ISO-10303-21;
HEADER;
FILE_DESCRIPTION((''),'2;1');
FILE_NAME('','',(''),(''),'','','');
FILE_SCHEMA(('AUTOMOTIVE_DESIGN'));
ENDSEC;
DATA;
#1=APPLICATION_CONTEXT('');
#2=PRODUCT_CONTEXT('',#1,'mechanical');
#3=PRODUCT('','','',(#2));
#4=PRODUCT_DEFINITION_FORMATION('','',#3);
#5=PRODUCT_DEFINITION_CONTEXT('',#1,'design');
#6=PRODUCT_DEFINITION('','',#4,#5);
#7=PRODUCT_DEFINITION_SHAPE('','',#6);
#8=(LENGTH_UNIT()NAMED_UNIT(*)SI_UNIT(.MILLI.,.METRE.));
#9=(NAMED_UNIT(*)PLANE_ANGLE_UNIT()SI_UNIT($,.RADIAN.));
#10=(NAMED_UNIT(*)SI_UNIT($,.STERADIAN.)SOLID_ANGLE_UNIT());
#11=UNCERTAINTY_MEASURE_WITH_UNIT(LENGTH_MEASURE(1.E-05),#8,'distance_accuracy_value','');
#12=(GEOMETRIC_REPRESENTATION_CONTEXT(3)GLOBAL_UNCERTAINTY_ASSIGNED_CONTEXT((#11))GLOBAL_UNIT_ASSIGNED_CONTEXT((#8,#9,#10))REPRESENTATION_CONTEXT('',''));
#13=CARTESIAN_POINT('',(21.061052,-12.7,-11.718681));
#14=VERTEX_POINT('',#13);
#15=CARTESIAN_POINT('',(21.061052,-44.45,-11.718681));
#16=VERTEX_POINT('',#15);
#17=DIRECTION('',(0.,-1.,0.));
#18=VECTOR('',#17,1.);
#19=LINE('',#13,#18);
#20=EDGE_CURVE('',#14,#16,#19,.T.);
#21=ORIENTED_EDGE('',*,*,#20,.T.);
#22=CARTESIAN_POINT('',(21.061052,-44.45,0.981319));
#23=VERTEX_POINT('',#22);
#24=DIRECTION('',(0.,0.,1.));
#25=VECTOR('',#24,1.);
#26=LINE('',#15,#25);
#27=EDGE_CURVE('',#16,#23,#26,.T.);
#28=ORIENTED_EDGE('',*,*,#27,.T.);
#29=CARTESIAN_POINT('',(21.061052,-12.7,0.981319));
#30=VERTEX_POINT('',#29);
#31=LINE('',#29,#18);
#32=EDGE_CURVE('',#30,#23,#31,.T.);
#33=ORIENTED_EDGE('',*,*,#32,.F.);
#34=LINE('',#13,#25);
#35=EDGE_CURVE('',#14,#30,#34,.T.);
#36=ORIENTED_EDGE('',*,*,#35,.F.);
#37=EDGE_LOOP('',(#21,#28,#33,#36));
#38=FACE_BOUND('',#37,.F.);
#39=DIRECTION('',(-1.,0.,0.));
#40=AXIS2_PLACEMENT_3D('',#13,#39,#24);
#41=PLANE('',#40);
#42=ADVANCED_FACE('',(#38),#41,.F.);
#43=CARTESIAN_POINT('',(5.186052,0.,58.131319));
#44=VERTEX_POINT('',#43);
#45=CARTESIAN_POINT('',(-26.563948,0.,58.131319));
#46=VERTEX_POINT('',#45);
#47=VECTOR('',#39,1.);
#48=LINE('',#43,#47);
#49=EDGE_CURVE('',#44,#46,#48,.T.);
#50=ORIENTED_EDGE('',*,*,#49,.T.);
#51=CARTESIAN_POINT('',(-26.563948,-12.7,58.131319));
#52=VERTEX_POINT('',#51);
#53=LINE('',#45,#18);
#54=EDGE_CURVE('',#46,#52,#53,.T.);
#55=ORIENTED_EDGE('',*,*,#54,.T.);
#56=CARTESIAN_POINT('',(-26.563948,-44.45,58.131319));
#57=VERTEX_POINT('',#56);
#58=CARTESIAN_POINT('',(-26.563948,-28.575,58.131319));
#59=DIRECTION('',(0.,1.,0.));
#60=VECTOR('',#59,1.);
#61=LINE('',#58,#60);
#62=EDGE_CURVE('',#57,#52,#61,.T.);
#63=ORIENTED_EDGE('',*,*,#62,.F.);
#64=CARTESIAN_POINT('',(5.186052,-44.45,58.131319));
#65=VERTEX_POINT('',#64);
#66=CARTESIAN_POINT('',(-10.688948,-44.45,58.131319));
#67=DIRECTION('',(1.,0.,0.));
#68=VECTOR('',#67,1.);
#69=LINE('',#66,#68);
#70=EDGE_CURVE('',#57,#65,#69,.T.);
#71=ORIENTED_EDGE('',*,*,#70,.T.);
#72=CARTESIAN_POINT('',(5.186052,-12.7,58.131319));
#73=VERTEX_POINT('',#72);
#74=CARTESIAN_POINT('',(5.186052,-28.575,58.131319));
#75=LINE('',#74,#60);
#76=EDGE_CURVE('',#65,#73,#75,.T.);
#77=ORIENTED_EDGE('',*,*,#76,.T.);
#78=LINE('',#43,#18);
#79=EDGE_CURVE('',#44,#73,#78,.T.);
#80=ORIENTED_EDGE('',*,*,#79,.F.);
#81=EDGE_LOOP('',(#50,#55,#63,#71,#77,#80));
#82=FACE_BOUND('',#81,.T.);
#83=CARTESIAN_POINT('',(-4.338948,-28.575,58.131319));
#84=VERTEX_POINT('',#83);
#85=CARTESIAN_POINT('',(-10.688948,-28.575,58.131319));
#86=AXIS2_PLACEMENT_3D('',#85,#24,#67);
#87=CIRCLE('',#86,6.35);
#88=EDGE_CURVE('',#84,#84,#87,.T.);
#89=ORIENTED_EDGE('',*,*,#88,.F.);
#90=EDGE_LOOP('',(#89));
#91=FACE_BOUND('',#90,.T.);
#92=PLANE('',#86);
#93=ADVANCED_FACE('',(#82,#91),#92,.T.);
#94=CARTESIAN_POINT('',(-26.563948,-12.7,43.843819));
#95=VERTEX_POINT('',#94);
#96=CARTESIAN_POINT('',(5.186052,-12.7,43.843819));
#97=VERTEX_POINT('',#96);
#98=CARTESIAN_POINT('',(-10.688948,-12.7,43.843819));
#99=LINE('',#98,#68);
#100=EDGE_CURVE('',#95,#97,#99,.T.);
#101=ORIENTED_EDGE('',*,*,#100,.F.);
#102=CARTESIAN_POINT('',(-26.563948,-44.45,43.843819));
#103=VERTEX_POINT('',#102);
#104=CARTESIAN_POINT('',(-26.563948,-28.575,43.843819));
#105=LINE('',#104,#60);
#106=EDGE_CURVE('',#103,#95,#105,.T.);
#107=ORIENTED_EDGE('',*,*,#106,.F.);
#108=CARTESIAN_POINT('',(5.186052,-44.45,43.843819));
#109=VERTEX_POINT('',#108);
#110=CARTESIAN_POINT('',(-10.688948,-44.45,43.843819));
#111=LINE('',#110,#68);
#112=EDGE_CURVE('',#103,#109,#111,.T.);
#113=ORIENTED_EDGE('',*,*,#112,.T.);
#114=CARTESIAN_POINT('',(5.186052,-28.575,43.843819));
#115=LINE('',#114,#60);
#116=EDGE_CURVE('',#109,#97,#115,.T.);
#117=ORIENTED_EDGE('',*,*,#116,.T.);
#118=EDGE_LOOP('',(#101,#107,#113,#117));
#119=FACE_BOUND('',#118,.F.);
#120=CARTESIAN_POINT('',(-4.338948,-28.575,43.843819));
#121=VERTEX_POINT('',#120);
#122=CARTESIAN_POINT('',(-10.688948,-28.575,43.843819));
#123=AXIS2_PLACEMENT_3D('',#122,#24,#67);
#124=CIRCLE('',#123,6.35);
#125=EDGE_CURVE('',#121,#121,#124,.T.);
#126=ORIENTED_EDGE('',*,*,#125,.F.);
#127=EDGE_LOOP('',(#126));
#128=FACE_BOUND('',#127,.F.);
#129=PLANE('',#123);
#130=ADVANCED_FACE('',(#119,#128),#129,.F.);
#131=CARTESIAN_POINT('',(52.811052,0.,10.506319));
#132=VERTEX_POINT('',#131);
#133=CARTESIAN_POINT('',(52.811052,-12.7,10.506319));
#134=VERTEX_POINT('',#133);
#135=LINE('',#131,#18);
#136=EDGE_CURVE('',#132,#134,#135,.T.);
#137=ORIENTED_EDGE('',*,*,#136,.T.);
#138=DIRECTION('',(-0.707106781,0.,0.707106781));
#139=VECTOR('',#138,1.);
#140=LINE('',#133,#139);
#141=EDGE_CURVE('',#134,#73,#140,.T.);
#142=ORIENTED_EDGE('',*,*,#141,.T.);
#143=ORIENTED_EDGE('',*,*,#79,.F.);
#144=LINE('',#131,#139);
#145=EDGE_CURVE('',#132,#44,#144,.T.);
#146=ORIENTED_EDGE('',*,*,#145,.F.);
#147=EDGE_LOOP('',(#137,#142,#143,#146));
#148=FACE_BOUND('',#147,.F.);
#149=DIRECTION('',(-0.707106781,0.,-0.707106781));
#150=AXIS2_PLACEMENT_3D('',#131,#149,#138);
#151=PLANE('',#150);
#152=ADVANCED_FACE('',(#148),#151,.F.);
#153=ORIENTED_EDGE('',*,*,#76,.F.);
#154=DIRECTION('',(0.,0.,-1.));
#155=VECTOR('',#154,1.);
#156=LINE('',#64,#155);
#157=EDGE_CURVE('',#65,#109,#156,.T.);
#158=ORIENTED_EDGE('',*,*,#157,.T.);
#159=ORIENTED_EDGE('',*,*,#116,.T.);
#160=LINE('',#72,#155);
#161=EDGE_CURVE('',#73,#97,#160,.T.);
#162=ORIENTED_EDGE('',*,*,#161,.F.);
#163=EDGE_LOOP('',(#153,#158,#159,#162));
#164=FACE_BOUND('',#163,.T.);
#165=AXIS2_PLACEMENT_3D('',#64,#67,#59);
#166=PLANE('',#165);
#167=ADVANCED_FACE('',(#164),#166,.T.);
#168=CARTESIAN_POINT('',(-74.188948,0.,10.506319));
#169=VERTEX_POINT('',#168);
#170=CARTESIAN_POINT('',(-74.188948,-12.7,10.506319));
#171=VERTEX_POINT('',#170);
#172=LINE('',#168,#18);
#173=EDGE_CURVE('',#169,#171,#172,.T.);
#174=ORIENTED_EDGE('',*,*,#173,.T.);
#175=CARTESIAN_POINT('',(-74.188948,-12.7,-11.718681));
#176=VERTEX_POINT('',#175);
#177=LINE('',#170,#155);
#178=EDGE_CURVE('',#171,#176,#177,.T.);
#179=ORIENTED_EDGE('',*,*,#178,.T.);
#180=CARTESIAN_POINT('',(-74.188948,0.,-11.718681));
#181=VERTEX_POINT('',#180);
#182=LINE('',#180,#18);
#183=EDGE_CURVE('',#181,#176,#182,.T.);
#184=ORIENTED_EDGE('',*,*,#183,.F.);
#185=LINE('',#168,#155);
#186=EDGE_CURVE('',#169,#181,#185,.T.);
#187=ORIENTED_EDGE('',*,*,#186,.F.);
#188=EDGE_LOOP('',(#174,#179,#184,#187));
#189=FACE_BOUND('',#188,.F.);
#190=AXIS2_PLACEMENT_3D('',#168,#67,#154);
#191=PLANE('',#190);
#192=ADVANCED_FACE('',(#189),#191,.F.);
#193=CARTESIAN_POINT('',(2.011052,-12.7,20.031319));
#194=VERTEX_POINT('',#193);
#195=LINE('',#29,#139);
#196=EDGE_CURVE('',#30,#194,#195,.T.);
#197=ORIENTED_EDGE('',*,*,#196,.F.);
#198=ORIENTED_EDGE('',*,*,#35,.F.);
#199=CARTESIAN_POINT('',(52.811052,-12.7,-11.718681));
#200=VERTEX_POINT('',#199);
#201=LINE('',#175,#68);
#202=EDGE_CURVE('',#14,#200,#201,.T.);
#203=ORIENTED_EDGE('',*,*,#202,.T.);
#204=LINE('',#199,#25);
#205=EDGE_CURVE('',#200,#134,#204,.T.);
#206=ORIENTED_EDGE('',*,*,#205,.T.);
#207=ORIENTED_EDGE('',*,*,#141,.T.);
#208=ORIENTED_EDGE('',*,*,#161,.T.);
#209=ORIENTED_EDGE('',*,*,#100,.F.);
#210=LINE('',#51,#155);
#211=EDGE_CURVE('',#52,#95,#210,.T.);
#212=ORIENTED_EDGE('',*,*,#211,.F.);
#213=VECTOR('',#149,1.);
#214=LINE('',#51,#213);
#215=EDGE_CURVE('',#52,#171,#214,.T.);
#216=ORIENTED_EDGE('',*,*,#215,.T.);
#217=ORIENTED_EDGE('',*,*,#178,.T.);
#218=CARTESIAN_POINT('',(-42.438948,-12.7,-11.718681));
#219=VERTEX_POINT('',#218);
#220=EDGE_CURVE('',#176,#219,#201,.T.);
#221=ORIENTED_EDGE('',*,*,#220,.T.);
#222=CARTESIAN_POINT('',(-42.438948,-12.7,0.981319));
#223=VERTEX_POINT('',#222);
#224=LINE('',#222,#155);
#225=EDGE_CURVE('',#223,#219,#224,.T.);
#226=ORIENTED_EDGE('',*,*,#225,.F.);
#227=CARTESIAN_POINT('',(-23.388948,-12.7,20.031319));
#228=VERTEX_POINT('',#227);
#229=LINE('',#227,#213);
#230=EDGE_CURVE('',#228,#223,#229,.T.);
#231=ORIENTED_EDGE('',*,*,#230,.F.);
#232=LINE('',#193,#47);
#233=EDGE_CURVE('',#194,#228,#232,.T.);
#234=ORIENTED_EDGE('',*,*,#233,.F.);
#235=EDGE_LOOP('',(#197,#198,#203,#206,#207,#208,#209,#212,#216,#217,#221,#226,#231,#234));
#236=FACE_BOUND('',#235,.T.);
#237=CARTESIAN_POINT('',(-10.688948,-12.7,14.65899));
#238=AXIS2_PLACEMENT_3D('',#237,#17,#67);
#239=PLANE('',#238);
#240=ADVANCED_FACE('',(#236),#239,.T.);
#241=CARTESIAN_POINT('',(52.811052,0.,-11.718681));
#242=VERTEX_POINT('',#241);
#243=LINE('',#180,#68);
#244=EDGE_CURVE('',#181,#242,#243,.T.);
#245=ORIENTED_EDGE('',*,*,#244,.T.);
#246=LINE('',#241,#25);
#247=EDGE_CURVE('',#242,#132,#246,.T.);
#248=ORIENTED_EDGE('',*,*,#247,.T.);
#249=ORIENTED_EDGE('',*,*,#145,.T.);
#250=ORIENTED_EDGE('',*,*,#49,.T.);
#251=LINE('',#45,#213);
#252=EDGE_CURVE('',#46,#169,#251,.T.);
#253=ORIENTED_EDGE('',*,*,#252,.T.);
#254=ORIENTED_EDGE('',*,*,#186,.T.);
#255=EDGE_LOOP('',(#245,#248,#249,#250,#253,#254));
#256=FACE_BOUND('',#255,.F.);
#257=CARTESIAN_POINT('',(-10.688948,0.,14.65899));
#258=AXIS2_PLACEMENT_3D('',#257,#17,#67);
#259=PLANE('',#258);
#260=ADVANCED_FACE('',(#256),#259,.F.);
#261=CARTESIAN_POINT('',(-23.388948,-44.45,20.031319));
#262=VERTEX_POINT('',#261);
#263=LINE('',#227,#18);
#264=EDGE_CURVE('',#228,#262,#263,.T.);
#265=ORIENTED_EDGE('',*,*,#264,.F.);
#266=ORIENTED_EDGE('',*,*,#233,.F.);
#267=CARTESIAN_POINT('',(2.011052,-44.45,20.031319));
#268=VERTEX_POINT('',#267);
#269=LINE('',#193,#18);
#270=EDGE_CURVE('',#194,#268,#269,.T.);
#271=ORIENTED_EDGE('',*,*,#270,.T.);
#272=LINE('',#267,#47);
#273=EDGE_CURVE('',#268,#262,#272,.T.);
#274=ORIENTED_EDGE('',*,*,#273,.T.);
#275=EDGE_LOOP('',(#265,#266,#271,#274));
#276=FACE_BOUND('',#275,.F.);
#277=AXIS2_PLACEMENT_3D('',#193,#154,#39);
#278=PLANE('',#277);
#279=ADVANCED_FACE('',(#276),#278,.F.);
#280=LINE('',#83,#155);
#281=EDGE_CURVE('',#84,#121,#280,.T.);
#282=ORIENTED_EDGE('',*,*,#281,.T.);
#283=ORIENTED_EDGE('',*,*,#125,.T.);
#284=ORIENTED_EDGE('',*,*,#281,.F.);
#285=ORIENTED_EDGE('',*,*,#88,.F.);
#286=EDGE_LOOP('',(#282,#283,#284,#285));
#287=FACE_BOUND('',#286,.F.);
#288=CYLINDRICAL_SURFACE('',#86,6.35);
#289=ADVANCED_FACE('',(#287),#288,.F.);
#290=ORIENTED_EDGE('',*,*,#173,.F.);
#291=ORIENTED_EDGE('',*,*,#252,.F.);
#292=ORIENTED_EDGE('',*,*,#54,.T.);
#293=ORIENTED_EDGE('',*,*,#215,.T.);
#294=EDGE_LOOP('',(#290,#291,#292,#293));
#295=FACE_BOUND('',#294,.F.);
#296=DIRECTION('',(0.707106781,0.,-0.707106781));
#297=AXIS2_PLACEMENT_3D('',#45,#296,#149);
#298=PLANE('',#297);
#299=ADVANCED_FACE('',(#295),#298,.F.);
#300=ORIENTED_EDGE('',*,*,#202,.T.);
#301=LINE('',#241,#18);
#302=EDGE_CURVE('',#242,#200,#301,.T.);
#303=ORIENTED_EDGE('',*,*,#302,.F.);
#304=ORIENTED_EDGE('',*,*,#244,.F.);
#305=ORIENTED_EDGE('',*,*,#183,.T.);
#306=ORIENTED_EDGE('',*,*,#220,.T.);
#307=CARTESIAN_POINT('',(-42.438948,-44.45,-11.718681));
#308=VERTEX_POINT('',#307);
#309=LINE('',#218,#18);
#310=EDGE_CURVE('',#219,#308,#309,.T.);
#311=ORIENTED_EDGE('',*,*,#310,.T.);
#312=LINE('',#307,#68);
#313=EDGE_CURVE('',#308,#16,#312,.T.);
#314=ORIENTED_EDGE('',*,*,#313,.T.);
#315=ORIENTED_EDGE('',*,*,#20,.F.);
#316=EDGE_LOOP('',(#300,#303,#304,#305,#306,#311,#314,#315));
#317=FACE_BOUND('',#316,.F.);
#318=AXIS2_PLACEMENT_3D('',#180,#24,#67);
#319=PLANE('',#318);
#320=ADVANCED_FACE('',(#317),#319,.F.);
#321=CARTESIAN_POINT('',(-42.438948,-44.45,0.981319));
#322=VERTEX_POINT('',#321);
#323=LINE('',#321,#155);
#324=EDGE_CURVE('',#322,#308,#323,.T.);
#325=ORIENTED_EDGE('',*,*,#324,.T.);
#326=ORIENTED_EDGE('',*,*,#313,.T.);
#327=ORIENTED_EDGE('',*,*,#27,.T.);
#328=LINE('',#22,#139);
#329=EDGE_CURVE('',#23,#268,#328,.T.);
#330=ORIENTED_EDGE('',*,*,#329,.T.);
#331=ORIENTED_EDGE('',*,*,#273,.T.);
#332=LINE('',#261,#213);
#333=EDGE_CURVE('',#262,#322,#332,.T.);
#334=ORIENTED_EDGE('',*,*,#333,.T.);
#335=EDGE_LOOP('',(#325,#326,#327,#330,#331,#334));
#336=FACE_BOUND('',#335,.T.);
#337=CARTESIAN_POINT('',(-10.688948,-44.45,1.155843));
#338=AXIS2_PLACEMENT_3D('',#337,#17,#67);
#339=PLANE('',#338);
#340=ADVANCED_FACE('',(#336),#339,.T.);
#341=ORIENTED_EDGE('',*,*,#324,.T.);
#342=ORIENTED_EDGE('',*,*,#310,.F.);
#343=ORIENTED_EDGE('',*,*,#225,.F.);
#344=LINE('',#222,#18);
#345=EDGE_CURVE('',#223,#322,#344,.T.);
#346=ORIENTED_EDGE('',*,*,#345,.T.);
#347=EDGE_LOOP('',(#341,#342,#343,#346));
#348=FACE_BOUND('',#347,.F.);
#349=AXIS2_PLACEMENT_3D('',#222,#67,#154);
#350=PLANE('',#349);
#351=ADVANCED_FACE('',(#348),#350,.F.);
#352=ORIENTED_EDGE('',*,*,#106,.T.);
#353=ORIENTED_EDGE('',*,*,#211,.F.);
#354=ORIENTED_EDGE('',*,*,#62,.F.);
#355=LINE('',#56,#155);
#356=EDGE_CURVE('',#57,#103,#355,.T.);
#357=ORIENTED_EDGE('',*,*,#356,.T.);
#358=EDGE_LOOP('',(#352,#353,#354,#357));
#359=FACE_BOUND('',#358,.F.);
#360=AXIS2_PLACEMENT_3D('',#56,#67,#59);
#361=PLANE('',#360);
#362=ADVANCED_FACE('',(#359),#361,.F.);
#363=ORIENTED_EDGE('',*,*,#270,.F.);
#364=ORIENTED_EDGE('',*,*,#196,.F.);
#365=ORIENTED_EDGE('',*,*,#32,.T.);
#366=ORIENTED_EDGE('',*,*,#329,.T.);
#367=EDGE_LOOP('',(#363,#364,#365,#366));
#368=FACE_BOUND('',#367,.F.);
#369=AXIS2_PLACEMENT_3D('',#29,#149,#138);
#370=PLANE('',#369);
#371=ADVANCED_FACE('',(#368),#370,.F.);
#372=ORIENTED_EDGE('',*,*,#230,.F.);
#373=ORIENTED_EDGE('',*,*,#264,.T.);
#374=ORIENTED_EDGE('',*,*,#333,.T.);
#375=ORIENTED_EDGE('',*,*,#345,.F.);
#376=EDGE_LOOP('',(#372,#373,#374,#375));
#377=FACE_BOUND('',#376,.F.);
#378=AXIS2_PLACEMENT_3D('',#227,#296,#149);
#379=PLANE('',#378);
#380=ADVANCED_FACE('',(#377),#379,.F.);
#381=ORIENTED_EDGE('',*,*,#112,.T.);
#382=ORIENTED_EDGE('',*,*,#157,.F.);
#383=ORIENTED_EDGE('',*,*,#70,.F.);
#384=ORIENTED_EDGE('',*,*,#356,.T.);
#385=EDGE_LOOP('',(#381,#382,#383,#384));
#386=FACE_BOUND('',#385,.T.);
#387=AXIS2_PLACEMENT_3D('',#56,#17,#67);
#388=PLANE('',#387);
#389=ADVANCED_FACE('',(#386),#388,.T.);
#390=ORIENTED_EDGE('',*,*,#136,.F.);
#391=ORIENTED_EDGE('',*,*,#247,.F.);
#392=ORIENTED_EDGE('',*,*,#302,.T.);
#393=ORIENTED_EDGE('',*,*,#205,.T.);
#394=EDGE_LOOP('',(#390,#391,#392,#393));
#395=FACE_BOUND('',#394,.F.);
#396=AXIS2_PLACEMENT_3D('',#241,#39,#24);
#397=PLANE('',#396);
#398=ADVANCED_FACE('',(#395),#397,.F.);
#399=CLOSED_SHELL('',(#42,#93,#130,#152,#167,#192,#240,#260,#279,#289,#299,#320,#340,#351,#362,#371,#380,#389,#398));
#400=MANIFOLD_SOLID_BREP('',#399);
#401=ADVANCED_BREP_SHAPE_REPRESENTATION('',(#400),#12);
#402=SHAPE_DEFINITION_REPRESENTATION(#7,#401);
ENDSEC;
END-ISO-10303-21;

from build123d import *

# Parameters (mm, degrees)
F1_DEPTH = 12.7
F3_DEPTH = 31.75
F4_W     = 31.75
F4_H     = 31.75
F5_DEPTH = 14.2875
F6_R     = 6.35
F7_DEPTH = 25.4


with BuildPart() as f1:
    # F0 (on Front) → F1 (new body)
    with BuildSketch(Plane.XZ):
        Polygon((-74.188948, 10.506319), (-74.188948, -11.718681), (52.811052, -11.718681), (52.811052, 10.506319), (5.186052, 58.131319), (-26.563948, 58.131319), align=None)
    extrude(amount=F1_DEPTH)

    # F2 (on face) → F3 (join)
    with BuildSketch(Plane.XZ.offset(12.7)):
        Polygon((-42.438948, 0.981319), (-42.438948, -11.718681), (21.061052, -11.718681), (21.061052, 0.981319), (2.011052, 20.031319), (-23.388948, 20.031319), align=None)
    extrude(amount=F3_DEPTH)

    # F4 (on face) → F5 (join)
    with BuildSketch(Plane.XY.offset(58.131319)):
        with Locations((-10.688948, -28.575)):
            Rectangle(F4_W, F4_H)
    extrude(amount=-F5_DEPTH)

    # F6 (on face) → F7 (cut)
    with BuildSketch(Plane.XY.offset(58.131319)):
        with Locations((-10.688948, -28.575)):
            Circle(F6_R)
    extrude(amount=-F7_DEPTH, mode=Mode.SUBTRACT)


solid = f1.part
